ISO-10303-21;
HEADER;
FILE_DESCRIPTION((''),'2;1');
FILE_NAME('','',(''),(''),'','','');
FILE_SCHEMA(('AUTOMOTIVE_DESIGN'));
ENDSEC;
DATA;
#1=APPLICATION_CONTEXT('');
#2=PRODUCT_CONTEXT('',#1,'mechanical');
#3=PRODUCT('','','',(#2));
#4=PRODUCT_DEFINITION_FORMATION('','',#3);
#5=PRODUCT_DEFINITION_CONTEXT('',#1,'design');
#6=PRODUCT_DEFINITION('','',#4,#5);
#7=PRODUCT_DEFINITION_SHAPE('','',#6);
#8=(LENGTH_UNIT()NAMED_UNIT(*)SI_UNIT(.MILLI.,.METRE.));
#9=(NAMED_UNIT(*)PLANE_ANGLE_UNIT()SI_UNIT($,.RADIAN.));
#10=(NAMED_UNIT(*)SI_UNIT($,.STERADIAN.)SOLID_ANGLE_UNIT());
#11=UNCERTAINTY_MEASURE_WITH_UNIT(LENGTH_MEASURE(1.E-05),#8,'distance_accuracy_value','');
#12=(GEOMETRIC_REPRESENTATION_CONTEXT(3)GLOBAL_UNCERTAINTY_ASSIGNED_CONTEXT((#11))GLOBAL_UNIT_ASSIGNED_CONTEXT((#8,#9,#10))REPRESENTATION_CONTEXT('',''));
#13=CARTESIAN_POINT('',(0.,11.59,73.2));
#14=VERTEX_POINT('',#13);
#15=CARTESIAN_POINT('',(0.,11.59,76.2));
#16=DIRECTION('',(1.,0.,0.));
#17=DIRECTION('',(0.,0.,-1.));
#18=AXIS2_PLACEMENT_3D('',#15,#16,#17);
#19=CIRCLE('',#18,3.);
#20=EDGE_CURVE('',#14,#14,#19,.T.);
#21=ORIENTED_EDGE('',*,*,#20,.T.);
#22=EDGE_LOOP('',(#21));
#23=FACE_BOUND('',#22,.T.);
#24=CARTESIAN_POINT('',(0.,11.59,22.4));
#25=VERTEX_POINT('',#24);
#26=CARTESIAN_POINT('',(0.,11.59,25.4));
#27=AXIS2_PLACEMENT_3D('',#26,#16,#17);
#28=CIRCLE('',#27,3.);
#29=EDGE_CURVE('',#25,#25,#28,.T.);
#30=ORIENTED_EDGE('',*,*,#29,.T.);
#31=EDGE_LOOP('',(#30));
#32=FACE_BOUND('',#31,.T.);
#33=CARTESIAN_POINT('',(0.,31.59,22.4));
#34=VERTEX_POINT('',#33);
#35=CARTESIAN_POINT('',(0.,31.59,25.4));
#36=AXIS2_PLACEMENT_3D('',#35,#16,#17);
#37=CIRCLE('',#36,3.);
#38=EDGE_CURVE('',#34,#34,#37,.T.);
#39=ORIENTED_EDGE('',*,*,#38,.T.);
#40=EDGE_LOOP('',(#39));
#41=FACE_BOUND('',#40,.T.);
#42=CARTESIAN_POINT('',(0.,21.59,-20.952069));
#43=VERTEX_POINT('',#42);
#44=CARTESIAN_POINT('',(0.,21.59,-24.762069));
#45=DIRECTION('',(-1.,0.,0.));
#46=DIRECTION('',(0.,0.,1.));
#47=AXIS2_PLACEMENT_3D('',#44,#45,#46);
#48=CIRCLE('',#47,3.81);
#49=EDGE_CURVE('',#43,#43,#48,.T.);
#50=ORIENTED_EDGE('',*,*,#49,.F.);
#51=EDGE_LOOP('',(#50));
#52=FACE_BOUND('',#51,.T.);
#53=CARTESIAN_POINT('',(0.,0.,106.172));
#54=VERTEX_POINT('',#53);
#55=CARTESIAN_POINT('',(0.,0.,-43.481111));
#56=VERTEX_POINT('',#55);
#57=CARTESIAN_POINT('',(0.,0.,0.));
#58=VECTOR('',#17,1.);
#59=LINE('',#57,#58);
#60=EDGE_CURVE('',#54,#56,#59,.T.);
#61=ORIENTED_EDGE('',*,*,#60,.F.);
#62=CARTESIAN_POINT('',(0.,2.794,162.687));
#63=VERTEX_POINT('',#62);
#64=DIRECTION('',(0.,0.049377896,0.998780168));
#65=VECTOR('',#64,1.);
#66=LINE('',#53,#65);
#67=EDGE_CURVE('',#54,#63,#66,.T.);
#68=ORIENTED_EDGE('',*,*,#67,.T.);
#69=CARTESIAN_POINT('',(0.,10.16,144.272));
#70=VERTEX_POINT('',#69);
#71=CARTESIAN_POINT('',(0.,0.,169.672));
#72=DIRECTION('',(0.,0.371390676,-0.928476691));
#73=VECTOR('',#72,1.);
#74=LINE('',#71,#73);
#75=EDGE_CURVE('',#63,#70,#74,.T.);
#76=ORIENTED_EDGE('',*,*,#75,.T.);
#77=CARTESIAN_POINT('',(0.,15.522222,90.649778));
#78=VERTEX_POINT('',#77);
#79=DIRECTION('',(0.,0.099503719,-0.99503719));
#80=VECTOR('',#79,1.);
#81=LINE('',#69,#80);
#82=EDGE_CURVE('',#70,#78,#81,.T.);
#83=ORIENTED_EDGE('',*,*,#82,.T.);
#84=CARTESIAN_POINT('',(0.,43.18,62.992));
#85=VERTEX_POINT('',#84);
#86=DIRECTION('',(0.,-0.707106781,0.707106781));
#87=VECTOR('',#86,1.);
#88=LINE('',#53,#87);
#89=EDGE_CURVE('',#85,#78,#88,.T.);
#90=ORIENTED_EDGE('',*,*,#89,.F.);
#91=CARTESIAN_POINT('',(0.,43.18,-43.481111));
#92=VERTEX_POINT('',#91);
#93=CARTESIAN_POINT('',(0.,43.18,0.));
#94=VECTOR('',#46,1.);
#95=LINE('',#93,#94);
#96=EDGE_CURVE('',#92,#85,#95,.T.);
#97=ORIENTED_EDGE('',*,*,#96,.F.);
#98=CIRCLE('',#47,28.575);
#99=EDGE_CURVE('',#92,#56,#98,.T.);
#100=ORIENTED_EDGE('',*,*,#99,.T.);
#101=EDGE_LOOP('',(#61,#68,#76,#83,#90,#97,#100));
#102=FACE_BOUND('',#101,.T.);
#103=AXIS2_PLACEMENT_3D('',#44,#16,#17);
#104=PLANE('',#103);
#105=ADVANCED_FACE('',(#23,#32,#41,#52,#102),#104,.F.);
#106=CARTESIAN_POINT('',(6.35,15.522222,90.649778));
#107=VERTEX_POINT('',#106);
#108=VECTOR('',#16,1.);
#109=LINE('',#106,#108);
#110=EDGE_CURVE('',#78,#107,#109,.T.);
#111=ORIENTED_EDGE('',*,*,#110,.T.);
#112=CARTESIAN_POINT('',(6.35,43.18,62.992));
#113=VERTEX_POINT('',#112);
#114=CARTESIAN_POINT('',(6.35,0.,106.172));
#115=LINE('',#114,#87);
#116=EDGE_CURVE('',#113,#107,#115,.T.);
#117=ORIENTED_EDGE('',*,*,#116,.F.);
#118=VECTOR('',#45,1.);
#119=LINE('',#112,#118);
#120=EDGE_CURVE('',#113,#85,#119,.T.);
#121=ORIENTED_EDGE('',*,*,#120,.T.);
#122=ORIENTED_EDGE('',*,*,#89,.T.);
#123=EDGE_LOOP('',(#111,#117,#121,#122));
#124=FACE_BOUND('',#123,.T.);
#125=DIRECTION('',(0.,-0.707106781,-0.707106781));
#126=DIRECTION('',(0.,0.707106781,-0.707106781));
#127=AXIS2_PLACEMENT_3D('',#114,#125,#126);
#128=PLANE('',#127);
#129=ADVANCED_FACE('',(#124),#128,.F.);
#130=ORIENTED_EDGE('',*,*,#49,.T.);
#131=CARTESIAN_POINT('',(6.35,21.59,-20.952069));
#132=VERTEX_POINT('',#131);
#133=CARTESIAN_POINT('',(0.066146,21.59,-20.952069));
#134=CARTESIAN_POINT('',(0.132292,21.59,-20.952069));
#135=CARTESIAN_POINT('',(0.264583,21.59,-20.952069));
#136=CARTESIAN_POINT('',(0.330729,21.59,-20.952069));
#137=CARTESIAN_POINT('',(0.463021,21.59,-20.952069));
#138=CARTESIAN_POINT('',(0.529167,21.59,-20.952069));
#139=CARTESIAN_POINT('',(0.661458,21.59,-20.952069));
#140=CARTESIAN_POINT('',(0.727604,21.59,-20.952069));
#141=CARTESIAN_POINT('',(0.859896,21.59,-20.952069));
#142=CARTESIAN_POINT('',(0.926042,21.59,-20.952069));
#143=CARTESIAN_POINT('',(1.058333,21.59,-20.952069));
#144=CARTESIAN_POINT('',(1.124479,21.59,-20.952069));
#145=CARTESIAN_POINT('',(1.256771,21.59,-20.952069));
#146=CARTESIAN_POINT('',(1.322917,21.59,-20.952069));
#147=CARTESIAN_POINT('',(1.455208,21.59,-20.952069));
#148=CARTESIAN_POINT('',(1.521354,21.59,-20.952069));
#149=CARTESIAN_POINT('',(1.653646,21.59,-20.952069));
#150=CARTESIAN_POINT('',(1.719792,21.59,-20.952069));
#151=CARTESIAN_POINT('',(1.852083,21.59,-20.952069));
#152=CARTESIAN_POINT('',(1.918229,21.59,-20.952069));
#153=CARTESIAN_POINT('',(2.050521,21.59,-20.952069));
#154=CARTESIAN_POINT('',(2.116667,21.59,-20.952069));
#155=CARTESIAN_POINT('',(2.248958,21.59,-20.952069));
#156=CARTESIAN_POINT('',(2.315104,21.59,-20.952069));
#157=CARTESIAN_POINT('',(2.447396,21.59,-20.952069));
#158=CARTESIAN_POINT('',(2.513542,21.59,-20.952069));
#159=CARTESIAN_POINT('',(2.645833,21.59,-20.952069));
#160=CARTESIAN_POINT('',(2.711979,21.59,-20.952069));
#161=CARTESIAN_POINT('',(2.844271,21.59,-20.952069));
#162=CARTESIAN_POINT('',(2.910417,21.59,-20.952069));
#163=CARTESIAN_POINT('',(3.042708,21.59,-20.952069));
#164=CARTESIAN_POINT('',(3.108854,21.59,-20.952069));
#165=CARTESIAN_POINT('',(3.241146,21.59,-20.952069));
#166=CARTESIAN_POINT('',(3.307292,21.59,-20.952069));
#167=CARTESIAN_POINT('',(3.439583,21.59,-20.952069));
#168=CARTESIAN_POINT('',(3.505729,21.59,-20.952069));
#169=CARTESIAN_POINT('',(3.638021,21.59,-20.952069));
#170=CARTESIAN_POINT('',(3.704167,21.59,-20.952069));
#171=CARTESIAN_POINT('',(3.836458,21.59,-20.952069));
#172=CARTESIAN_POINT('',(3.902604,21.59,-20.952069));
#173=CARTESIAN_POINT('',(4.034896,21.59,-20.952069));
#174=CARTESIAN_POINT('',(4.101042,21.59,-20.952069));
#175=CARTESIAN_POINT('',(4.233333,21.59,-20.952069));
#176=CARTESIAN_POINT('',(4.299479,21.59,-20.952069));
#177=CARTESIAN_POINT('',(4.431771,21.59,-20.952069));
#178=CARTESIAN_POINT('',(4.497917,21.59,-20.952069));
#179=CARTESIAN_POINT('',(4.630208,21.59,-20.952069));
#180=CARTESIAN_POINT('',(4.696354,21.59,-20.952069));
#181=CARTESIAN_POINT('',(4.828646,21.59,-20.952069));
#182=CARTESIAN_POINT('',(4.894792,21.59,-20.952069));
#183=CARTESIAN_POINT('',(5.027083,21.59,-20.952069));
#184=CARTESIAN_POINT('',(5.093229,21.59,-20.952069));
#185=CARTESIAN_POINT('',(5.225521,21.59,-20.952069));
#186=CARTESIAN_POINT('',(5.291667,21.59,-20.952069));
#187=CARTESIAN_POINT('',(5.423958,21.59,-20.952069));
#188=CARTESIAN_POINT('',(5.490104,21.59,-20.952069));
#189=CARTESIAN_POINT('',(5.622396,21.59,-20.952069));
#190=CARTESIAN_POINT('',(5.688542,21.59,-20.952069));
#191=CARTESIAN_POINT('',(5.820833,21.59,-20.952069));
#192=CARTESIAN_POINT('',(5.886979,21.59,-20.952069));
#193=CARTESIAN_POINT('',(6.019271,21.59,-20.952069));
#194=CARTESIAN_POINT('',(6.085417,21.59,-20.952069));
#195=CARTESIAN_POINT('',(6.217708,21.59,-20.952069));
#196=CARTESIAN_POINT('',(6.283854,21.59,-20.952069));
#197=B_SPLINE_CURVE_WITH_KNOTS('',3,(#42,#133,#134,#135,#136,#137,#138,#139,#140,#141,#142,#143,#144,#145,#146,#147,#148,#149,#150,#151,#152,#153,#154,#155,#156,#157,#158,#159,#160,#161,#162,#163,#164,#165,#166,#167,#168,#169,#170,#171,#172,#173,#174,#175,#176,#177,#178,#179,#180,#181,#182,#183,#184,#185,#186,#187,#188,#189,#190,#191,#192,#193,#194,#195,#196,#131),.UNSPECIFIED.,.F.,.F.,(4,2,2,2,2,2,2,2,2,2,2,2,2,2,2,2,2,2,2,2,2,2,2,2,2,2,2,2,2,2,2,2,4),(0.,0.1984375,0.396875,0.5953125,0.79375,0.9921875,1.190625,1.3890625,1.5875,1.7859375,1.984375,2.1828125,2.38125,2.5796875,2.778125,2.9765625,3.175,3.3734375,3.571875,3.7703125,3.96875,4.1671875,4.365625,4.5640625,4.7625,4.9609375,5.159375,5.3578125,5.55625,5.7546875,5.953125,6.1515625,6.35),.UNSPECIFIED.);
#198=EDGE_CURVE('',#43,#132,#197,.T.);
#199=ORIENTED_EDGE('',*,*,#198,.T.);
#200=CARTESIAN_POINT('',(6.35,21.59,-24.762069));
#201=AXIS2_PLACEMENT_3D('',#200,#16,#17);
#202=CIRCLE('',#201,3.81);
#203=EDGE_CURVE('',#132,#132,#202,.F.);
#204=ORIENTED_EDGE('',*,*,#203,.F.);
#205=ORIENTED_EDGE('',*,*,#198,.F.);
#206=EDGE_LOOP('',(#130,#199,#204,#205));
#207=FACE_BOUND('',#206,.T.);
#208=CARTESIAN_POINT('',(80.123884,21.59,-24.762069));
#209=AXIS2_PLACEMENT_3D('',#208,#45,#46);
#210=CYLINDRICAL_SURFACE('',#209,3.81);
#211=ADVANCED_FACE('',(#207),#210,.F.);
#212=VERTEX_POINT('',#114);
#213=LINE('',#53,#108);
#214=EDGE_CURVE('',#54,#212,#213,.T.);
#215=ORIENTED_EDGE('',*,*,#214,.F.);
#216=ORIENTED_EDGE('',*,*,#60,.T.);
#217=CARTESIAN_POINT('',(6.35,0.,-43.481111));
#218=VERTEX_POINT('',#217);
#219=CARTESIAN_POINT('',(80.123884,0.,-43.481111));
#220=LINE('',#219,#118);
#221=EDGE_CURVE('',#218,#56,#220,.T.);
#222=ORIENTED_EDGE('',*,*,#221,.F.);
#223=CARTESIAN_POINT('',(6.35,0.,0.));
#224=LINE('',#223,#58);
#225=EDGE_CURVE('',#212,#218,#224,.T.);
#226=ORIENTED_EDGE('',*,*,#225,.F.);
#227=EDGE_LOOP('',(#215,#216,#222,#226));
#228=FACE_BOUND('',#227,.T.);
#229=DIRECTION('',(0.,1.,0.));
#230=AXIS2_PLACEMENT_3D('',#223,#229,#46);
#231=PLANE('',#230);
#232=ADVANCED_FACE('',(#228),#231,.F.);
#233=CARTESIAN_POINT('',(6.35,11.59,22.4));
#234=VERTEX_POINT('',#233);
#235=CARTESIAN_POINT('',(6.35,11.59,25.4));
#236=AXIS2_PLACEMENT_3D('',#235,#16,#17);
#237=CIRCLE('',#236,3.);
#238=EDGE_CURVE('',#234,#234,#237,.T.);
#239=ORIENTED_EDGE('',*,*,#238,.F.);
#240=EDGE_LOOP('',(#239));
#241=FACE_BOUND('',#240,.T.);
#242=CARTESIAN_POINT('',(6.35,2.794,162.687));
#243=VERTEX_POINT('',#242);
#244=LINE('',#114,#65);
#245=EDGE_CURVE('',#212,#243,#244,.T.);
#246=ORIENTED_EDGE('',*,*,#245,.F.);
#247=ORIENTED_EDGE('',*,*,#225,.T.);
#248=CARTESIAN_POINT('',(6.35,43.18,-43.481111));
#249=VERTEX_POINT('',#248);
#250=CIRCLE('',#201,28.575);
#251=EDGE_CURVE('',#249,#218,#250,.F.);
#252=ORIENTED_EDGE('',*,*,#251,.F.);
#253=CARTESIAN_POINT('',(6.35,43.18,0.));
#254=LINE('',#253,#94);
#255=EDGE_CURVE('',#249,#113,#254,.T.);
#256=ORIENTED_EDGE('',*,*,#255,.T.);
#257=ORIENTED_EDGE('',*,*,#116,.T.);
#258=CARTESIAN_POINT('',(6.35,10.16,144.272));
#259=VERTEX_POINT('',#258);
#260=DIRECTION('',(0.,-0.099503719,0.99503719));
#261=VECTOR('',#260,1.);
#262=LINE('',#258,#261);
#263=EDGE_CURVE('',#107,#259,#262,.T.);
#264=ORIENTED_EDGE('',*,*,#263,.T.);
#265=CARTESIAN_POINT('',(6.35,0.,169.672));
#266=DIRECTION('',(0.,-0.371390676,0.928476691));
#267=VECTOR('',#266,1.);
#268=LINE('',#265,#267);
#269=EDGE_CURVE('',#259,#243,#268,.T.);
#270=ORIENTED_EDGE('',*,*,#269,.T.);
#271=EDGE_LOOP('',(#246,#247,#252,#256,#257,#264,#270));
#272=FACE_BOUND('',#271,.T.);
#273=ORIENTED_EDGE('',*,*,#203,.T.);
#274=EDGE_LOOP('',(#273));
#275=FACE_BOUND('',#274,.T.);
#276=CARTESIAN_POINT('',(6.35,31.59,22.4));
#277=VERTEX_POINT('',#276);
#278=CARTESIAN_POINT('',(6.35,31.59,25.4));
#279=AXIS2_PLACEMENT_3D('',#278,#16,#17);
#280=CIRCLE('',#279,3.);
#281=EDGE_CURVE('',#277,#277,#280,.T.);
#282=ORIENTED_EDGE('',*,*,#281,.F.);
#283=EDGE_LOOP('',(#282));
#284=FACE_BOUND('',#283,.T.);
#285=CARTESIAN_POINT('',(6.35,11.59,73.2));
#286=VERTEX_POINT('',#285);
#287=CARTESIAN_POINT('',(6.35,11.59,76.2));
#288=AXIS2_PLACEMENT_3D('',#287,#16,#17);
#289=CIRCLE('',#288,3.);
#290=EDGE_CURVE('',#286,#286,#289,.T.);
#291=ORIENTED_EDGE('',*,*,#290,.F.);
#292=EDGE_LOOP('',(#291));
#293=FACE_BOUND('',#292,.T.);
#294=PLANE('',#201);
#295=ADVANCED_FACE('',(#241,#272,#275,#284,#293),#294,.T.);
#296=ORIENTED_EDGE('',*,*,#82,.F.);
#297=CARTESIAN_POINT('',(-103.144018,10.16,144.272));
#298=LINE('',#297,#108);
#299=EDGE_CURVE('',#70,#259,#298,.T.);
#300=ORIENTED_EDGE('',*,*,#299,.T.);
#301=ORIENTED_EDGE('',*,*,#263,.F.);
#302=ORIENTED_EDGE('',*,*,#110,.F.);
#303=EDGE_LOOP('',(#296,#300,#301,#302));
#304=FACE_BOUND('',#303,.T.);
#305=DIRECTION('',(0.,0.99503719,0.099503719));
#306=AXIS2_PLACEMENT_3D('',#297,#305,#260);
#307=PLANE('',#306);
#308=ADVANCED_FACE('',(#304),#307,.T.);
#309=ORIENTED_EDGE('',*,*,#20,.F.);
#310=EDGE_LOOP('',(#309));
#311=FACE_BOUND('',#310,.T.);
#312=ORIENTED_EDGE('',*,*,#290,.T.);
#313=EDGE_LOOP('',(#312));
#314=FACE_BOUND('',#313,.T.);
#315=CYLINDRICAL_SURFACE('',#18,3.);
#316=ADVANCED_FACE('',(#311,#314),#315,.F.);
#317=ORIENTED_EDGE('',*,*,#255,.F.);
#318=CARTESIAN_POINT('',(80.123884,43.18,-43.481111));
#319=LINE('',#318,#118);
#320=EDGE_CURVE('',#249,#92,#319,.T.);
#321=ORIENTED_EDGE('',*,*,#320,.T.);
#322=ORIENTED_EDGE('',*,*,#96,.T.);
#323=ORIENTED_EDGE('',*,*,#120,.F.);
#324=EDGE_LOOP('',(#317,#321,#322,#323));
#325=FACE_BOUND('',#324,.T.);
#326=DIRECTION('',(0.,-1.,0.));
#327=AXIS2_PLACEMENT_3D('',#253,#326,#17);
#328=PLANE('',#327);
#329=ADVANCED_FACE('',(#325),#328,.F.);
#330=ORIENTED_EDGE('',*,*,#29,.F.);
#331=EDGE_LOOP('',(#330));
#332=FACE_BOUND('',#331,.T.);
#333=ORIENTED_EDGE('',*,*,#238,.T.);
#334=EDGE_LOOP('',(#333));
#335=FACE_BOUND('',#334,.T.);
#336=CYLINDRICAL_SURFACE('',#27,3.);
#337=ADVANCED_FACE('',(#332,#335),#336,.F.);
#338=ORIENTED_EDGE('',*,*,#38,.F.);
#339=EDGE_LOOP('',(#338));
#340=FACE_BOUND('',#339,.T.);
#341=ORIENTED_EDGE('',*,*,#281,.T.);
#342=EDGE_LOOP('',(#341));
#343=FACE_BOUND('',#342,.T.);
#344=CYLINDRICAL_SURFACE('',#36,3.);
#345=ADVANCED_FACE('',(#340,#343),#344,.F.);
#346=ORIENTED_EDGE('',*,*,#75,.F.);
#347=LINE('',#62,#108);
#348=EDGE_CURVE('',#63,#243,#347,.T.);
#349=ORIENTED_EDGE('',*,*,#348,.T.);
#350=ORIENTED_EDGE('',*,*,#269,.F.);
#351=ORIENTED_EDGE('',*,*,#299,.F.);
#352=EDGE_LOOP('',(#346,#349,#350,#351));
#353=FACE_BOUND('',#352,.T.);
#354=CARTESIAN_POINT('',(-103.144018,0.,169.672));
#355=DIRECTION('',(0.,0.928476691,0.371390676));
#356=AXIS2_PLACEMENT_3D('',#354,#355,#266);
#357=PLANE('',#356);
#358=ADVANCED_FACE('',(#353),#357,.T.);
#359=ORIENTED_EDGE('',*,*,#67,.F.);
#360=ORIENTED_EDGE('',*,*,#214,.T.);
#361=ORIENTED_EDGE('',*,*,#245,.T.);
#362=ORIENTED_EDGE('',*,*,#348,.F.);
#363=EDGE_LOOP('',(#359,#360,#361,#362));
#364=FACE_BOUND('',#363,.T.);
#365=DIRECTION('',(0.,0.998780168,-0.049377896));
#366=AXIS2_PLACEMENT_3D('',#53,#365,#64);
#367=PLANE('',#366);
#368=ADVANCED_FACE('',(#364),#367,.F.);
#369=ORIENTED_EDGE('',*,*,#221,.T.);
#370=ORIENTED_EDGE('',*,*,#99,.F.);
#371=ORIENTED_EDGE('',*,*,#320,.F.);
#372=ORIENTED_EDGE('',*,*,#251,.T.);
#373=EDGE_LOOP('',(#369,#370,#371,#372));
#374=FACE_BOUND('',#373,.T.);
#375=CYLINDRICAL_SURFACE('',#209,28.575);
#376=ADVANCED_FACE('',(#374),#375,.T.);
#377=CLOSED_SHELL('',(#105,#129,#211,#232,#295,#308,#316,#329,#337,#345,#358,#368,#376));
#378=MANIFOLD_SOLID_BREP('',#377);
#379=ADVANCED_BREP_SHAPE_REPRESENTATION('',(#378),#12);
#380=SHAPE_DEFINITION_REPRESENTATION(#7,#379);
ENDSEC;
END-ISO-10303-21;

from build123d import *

# Parameters (mm, degrees)
BOSS_EXTRUDE1_DEPTH = 6.35
BOSS_EXTRUDE2_DEPTH = 6.35
CUT_EXTRUDE1_DEPTH  = 176.195383741
SKETCH4_R           = 3
CUT_EXTRUDE2_DEPTH  = 169.439588188
SKETCH5_R           = 3.81
BOSS_EXTRUDE3_DEPTH = 6.35


with BuildPart() as part:
    # Sketch1 → Boss-Extrude1 (new body)
    with BuildSketch(Plane(origin=(0, 0, 0), x_dir=(0, 0, -1), z_dir=(1, 0, 0))):
        with BuildLine():
            Line((-106.172, 0), (-62.992, 43.18))
            Line((-62.992, 43.18), (0, 43.18))
            Line((0, 43.18), (0, 40.64))
            ThreePointArc((0, 40.64), (-6.479930943, 21.59), (0, 2.54))
            Line((0, 2.54), (0, 0))
            Line((0, 0), (-106.172, 0))
        make_face()
    extrude(amount=BOSS_EXTRUDE1_DEPTH)

    # Sketch2 → Boss-Extrude2 (add)
    with BuildSketch(Plane(origin=(6.35, 0, 0), x_dir=(0, 0, -1), z_dir=(1, 0, 0))):
        Polygon((-68.072, 0), (-169.672, 0), (-144.272, 10.16), (-68.072, 17.78), align=None)
    extrude(amount=-BOSS_EXTRUDE2_DEPTH)

    # Sketch3 → Cut-Extrude1 (cut, through all)
    with BuildSketch(Plane(origin=(6.35, 0, 0), x_dir=(0, 0, -1), z_dir=(1, 0, 0))):
        Polygon((-106.172, 0), (-162.687, 2.794), (-169.672, 0), align=None)
    extrude(amount=-CUT_EXTRUDE1_DEPTH, mode=Mode.SUBTRACT)

    # Sketch4 → Cut-Extrude2 (cut, through all)
    with BuildSketch(Plane(origin=(6.35, 0, 0), x_dir=(0, 0, -1), z_dir=(1, 0, 0))):
        with Locations((-25.4, 31.59)):
            Circle(SKETCH4_R)
        with Locations((-25.4, 11.59)):
            Circle(SKETCH4_R)
        with Locations((-76.2, 11.59)):
            Circle(SKETCH4_R)
    extrude(amount=-CUT_EXTRUDE2_DEPTH, mode=Mode.SUBTRACT)

    # Sketch5 → Boss-Extrude3 (add)
    with BuildSketch(Plane.ZY):
        with BuildLine():
            Line((0, 43.18), (-43.481110833, 43.18))
            ThreePointArc((-43.481110833, 43.18), (-53.337069057, 21.59), (-43.481110833, 0))
            Line((-43.481110833, 0), (0, 0))
            Line((0, 0), (0, 2.54))
            ThreePointArc((0, 2.54), (6.479930943, 21.59), (0, 40.64))
            Line((0, 40.64), (0, 43.18))
        make_face()
        with Locations((-24.762069057, 21.59)):
            Circle(SKETCH5_R, mode=Mode.SUBTRACT)
    extrude(amount=-BOSS_EXTRUDE3_DEPTH)


solid = part.part
